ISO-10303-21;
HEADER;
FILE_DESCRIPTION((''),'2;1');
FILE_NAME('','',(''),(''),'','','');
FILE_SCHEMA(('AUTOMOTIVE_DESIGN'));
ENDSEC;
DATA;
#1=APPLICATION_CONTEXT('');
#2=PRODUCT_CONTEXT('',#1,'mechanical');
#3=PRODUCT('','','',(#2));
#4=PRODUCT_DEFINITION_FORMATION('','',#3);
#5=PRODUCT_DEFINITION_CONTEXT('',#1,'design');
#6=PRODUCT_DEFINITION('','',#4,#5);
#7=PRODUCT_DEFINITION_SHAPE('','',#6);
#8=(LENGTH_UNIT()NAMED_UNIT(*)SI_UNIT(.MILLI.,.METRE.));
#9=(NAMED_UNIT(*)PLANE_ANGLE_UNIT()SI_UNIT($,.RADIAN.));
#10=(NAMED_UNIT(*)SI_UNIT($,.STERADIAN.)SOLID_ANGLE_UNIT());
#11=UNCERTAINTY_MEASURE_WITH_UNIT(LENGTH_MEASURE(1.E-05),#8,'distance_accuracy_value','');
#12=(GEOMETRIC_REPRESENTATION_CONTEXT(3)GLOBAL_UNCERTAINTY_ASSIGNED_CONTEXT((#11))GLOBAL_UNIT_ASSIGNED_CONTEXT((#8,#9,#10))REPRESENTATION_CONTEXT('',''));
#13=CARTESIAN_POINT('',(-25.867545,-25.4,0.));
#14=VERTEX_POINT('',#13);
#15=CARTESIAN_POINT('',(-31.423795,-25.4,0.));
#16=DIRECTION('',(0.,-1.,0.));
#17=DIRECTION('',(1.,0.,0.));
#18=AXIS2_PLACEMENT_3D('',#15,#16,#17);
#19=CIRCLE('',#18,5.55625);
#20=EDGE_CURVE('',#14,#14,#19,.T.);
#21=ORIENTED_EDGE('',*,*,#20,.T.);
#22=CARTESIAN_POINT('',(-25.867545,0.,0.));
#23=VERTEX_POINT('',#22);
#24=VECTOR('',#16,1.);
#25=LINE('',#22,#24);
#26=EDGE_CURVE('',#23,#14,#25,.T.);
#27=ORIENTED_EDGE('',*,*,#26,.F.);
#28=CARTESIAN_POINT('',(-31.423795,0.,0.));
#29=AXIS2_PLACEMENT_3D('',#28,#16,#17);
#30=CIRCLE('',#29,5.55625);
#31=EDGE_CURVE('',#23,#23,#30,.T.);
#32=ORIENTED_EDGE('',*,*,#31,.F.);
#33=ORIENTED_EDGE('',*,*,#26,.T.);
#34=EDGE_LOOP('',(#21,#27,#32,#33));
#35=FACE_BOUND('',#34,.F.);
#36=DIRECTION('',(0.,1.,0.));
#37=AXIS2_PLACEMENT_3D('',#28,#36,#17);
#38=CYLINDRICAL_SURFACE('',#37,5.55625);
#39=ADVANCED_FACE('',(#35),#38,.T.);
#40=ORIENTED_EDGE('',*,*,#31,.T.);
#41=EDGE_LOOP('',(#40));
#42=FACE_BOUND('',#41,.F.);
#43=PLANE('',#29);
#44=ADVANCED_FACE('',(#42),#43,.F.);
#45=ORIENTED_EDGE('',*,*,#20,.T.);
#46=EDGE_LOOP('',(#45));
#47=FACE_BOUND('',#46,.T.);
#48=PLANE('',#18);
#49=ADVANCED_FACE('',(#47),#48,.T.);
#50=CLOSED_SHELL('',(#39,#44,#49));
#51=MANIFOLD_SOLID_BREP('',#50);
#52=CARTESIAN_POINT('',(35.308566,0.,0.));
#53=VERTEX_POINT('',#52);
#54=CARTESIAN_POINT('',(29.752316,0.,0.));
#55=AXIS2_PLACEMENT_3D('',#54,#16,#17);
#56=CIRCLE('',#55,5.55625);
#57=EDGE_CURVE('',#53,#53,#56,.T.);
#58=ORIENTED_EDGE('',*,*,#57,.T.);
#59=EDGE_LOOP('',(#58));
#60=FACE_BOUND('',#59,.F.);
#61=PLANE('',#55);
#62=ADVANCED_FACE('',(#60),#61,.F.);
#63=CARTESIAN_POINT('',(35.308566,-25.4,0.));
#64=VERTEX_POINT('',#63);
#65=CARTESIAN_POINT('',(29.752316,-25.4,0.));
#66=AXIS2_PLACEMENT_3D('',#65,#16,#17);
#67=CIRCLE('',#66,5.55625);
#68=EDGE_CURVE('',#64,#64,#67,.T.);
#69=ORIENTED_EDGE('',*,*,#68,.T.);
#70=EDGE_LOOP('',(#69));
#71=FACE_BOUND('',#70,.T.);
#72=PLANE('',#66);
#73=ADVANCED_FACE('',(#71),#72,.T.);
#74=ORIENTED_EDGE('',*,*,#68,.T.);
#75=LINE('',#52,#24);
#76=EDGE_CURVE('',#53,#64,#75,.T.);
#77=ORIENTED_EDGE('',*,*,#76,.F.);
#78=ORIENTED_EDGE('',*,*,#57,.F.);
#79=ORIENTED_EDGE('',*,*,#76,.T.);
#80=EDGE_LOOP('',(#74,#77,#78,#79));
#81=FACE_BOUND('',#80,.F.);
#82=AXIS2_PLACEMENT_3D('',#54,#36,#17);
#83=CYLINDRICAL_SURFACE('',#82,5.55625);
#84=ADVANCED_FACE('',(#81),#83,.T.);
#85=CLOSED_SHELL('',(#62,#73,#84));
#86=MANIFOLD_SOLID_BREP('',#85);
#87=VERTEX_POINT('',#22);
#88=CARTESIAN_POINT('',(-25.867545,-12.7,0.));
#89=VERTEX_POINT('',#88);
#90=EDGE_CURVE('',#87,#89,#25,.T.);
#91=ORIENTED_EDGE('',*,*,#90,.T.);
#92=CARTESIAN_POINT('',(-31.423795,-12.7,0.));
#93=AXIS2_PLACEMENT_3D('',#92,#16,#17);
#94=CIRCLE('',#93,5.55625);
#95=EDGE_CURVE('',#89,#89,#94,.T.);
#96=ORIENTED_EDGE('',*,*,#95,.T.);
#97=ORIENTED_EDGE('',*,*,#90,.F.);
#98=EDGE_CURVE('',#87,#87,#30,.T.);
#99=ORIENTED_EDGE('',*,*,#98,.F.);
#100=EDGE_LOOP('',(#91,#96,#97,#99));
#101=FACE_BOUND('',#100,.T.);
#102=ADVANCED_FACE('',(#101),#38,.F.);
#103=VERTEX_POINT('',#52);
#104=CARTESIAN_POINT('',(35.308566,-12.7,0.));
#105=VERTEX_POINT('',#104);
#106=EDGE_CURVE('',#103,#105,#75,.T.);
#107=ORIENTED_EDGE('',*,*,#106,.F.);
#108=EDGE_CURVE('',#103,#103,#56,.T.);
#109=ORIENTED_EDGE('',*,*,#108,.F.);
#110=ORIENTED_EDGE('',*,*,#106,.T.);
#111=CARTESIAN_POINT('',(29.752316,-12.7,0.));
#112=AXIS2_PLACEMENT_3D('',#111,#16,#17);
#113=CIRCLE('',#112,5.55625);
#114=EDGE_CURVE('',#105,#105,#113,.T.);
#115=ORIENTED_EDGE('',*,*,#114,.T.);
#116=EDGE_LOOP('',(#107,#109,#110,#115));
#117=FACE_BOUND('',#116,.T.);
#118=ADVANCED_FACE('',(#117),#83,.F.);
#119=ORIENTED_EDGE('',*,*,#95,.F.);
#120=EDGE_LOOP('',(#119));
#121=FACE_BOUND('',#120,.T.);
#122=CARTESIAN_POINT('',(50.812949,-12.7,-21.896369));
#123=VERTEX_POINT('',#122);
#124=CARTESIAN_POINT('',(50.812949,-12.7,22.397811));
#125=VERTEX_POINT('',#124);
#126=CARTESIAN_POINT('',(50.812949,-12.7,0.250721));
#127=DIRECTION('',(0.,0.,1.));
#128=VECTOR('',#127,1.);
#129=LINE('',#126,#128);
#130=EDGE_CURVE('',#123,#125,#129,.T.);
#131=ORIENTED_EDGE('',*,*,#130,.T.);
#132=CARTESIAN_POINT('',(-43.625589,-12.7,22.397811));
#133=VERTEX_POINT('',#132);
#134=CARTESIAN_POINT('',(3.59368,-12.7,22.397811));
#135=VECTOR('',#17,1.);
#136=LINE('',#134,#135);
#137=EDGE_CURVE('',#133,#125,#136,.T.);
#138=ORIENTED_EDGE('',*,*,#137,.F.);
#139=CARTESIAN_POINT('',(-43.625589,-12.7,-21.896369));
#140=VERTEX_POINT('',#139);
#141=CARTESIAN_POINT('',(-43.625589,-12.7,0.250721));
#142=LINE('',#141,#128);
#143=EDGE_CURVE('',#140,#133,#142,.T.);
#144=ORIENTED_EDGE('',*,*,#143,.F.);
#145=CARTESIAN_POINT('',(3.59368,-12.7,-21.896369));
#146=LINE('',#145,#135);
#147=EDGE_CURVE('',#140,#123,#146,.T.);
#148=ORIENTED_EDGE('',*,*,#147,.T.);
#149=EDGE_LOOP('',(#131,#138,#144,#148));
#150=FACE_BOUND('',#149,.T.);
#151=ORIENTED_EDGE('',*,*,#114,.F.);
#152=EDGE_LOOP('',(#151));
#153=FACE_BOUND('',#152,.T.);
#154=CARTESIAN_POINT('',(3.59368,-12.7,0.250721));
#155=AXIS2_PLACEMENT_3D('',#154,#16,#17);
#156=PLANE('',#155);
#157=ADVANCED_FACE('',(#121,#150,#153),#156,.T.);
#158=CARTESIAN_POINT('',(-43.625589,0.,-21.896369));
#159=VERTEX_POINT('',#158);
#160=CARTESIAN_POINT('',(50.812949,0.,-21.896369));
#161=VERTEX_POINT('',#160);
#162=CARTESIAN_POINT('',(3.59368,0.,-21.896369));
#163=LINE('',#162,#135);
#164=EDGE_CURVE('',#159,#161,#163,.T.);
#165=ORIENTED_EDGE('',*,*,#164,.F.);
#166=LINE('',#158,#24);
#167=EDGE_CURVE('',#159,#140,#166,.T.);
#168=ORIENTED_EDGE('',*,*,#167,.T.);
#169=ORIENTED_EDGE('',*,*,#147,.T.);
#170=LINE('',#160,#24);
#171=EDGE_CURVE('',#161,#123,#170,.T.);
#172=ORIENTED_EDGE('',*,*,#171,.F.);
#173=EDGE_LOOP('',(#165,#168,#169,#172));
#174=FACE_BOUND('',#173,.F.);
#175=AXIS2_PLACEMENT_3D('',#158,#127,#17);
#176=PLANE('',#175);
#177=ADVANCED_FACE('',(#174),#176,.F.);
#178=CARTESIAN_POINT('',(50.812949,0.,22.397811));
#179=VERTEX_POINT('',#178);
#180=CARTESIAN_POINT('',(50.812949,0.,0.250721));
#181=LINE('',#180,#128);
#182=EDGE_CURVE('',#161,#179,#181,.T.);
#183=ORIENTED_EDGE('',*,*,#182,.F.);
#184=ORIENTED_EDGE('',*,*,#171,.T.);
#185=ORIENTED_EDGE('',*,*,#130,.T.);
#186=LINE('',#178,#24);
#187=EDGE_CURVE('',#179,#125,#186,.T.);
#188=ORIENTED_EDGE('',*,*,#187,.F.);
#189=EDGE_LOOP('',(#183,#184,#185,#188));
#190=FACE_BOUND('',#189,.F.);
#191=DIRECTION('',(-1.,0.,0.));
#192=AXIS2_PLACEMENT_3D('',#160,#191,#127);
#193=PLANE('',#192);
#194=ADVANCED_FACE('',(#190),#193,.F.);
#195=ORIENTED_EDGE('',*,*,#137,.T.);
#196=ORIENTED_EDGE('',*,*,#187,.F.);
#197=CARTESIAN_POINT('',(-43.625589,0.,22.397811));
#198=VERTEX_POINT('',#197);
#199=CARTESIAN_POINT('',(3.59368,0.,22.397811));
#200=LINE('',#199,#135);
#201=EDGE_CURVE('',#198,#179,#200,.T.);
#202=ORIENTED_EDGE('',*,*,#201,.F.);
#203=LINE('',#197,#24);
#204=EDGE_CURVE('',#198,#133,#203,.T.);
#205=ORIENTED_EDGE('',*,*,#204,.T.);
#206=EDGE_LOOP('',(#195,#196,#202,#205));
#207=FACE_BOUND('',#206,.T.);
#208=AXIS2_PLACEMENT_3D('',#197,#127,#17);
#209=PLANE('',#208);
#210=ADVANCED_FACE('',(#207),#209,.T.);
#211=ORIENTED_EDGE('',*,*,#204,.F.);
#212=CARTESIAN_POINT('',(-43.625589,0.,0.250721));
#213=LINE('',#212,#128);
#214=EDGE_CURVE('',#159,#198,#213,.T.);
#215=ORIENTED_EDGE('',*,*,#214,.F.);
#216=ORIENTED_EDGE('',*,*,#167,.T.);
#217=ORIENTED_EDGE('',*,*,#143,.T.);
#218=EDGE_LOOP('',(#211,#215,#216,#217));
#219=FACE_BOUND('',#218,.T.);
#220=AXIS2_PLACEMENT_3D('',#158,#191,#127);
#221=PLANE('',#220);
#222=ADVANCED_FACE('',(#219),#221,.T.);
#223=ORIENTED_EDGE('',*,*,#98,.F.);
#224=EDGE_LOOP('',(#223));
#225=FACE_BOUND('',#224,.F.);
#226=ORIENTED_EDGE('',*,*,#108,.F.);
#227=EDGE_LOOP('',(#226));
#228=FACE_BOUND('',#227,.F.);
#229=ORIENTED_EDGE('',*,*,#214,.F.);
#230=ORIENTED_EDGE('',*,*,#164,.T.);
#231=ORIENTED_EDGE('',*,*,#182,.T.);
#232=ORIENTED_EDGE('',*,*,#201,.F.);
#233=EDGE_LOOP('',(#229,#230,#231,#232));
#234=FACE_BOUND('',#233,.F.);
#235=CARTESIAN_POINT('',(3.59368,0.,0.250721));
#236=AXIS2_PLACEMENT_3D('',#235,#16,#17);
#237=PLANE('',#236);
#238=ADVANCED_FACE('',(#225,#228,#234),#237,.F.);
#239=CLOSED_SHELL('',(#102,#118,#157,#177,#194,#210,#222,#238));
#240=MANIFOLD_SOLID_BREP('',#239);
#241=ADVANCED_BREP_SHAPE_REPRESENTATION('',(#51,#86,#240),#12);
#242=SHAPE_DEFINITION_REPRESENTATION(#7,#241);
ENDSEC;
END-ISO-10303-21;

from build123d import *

# Parameters (mm, degrees)
F0_R     = 5.55625
F2_DEPTH = 25.4
F0_W     = 94.438538
F0_H     = 44.294181
F3_DEPTH = 12.7


with BuildPart() as f2:
    # F0 (on Front) → F2 (new body)
    with BuildSketch(Plane.XZ):
        with Locations((29.752316, 0)):
            Circle(F0_R)
        with Locations((-31.423795, 0)):
            Circle(F0_R)
    extrude(amount=F2_DEPTH)


with BuildPart() as f3:
    # F0 (on Front) → F3 (new body)
    with BuildSketch(Plane.XZ):
        with Locations((3.59368, 0.250721)):
            Rectangle(F0_W, F0_H)
        with Locations((-31.423795, 0)):
            Circle(F0_R, mode=Mode.SUBTRACT)
        with Locations((29.752316, 0)):
            Circle(F0_R, mode=Mode.SUBTRACT)
    extrude(amount=F3_DEPTH)


solid = Compound([f2.part, f3.part])
